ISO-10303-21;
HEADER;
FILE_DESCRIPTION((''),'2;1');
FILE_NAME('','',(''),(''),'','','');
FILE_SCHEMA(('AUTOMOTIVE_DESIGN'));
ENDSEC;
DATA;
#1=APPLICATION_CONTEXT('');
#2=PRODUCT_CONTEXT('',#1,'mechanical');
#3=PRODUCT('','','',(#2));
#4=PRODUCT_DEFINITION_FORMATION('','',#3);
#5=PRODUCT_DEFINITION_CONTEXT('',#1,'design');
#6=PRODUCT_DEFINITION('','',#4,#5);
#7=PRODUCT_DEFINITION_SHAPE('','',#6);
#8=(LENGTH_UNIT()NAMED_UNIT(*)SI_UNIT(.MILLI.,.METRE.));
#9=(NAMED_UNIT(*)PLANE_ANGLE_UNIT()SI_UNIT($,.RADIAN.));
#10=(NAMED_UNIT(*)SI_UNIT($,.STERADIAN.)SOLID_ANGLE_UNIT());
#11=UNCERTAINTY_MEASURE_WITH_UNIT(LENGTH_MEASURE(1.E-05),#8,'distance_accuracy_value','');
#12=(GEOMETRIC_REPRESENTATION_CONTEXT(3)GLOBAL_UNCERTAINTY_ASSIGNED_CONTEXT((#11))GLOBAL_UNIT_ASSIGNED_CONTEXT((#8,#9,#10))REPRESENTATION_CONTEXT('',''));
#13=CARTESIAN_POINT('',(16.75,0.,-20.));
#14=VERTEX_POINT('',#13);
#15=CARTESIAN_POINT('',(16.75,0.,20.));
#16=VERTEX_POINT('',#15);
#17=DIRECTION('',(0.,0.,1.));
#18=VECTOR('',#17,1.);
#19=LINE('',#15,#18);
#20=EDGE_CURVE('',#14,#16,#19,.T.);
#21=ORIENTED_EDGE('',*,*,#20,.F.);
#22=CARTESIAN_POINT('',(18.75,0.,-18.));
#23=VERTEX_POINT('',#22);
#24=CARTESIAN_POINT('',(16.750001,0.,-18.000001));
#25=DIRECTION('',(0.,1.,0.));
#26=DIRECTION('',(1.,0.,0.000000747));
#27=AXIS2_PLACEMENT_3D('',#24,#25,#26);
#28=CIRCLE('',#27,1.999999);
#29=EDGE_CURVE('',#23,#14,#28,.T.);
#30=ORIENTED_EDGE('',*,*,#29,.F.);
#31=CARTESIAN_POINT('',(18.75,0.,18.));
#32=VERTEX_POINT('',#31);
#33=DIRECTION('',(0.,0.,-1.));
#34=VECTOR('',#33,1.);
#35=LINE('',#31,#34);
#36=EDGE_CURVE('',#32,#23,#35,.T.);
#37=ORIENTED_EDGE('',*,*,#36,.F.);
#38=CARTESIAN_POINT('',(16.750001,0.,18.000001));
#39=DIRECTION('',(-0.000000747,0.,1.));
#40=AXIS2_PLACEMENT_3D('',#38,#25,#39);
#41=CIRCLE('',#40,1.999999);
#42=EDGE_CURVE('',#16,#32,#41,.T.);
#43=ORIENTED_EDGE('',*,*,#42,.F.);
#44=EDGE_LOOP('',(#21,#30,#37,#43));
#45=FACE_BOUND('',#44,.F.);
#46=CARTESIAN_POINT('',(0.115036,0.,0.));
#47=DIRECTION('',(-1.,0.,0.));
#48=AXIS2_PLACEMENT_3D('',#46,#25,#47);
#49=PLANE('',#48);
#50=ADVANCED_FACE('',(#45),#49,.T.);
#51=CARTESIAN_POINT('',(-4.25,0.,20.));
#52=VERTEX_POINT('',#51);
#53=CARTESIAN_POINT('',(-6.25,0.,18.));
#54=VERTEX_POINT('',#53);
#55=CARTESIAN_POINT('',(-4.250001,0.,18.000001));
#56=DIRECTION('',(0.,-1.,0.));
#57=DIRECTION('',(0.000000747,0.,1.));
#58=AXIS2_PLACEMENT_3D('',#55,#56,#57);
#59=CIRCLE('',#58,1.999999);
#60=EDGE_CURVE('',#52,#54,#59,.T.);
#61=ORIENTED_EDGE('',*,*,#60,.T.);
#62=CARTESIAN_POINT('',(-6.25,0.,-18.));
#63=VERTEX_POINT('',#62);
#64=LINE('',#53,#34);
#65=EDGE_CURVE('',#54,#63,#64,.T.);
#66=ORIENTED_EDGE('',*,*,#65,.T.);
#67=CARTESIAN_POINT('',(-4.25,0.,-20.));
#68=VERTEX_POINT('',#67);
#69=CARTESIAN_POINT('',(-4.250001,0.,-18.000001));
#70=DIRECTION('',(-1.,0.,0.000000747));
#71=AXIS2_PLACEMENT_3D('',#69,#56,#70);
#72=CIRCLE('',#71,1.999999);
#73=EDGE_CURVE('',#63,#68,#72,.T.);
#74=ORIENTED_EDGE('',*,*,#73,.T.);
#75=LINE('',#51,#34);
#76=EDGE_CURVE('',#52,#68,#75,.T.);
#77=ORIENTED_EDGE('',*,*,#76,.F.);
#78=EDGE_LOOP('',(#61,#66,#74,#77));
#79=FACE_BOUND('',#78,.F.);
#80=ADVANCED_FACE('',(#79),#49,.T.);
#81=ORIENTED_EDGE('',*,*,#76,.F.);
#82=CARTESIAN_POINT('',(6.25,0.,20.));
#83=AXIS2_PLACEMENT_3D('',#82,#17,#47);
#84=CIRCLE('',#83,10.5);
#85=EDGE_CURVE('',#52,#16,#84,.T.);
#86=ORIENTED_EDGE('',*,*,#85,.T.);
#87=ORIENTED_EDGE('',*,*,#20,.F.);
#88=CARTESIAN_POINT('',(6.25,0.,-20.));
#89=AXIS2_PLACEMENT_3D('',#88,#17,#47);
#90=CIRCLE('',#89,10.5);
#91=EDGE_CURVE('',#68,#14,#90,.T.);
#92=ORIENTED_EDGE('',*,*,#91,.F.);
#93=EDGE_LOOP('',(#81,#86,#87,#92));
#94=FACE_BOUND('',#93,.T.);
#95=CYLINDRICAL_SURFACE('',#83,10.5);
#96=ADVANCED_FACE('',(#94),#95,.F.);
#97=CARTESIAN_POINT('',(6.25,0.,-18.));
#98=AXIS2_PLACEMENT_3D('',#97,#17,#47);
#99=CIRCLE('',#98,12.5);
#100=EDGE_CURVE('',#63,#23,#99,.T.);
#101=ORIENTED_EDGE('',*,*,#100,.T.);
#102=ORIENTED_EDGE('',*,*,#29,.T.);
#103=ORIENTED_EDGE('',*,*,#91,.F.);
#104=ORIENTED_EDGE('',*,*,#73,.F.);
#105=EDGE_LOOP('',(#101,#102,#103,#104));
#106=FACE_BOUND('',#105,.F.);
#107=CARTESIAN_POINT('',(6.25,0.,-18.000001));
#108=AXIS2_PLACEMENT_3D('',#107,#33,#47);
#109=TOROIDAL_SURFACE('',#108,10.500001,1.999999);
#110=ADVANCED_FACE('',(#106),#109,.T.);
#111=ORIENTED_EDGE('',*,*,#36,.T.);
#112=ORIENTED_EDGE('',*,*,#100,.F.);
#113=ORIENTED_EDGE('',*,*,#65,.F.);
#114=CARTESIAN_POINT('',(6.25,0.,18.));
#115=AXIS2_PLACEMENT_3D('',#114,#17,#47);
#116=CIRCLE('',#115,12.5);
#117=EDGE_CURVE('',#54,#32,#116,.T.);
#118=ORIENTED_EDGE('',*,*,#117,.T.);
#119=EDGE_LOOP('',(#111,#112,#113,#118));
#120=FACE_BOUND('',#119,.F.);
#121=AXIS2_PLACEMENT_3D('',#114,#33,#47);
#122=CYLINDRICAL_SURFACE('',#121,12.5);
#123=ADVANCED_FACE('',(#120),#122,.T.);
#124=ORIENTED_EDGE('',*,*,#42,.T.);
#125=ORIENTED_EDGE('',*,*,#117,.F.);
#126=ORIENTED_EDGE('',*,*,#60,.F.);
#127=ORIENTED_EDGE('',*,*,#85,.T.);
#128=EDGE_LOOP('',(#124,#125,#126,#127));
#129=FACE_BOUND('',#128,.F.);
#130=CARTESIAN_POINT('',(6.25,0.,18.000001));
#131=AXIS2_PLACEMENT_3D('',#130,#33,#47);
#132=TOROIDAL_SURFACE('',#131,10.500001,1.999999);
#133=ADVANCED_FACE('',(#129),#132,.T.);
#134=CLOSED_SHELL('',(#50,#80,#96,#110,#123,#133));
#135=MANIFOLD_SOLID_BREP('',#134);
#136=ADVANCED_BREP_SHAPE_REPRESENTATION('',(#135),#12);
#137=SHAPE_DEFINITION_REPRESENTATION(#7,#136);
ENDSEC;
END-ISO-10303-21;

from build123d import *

# Parameters (mm, degrees)
F1_ANGLE = 180
F3_DEPTH = 40


with BuildPart() as f1:
    # F0 (on Front) → F1 (revolve)
    with BuildSketch(Plane.XZ):
        with BuildLine():
            Line((6.25, 20), (-4.25, 20))
            ThreePointArc((-4.25, 20), (-5.664214, 19.414214), (-6.25, 18))
            Line((-6.25, 18), (-6.25, -18))
            ThreePointArc((-6.25, -18), (-5.664214, -19.414214), (-4.25, -20))
            Line((-4.25, -20), (6.25, -20))
            Line((6.25, -20), (6.25, 20))
        make_face()
    revolve(axis=Axis((6.25, 0, 0), (0, 0, -1)), revolution_arc=F1_ANGLE)

    # F2 (on face) → F3 (cut)
    with BuildSketch(Plane.XY.offset(20)):
        with BuildLine():
            Line((-4.25, 0), (16.75, 0))
            ThreePointArc((16.75, 0), (6.25, 10.5), (-4.25, 0))
        make_face()
        with BuildLine():
            ThreePointArc((-4.25, 0), (6.25, -10.5), (16.75, 0))
            Line((16.75, 0), (-4.25, 0))
        make_face()
    extrude(amount=-F3_DEPTH, mode=Mode.SUBTRACT)


with BuildPart() as f4_1:
    # F4: instance of F1
    add(f1.part.mirror(Plane.XZ))


solid = f4_1.part
